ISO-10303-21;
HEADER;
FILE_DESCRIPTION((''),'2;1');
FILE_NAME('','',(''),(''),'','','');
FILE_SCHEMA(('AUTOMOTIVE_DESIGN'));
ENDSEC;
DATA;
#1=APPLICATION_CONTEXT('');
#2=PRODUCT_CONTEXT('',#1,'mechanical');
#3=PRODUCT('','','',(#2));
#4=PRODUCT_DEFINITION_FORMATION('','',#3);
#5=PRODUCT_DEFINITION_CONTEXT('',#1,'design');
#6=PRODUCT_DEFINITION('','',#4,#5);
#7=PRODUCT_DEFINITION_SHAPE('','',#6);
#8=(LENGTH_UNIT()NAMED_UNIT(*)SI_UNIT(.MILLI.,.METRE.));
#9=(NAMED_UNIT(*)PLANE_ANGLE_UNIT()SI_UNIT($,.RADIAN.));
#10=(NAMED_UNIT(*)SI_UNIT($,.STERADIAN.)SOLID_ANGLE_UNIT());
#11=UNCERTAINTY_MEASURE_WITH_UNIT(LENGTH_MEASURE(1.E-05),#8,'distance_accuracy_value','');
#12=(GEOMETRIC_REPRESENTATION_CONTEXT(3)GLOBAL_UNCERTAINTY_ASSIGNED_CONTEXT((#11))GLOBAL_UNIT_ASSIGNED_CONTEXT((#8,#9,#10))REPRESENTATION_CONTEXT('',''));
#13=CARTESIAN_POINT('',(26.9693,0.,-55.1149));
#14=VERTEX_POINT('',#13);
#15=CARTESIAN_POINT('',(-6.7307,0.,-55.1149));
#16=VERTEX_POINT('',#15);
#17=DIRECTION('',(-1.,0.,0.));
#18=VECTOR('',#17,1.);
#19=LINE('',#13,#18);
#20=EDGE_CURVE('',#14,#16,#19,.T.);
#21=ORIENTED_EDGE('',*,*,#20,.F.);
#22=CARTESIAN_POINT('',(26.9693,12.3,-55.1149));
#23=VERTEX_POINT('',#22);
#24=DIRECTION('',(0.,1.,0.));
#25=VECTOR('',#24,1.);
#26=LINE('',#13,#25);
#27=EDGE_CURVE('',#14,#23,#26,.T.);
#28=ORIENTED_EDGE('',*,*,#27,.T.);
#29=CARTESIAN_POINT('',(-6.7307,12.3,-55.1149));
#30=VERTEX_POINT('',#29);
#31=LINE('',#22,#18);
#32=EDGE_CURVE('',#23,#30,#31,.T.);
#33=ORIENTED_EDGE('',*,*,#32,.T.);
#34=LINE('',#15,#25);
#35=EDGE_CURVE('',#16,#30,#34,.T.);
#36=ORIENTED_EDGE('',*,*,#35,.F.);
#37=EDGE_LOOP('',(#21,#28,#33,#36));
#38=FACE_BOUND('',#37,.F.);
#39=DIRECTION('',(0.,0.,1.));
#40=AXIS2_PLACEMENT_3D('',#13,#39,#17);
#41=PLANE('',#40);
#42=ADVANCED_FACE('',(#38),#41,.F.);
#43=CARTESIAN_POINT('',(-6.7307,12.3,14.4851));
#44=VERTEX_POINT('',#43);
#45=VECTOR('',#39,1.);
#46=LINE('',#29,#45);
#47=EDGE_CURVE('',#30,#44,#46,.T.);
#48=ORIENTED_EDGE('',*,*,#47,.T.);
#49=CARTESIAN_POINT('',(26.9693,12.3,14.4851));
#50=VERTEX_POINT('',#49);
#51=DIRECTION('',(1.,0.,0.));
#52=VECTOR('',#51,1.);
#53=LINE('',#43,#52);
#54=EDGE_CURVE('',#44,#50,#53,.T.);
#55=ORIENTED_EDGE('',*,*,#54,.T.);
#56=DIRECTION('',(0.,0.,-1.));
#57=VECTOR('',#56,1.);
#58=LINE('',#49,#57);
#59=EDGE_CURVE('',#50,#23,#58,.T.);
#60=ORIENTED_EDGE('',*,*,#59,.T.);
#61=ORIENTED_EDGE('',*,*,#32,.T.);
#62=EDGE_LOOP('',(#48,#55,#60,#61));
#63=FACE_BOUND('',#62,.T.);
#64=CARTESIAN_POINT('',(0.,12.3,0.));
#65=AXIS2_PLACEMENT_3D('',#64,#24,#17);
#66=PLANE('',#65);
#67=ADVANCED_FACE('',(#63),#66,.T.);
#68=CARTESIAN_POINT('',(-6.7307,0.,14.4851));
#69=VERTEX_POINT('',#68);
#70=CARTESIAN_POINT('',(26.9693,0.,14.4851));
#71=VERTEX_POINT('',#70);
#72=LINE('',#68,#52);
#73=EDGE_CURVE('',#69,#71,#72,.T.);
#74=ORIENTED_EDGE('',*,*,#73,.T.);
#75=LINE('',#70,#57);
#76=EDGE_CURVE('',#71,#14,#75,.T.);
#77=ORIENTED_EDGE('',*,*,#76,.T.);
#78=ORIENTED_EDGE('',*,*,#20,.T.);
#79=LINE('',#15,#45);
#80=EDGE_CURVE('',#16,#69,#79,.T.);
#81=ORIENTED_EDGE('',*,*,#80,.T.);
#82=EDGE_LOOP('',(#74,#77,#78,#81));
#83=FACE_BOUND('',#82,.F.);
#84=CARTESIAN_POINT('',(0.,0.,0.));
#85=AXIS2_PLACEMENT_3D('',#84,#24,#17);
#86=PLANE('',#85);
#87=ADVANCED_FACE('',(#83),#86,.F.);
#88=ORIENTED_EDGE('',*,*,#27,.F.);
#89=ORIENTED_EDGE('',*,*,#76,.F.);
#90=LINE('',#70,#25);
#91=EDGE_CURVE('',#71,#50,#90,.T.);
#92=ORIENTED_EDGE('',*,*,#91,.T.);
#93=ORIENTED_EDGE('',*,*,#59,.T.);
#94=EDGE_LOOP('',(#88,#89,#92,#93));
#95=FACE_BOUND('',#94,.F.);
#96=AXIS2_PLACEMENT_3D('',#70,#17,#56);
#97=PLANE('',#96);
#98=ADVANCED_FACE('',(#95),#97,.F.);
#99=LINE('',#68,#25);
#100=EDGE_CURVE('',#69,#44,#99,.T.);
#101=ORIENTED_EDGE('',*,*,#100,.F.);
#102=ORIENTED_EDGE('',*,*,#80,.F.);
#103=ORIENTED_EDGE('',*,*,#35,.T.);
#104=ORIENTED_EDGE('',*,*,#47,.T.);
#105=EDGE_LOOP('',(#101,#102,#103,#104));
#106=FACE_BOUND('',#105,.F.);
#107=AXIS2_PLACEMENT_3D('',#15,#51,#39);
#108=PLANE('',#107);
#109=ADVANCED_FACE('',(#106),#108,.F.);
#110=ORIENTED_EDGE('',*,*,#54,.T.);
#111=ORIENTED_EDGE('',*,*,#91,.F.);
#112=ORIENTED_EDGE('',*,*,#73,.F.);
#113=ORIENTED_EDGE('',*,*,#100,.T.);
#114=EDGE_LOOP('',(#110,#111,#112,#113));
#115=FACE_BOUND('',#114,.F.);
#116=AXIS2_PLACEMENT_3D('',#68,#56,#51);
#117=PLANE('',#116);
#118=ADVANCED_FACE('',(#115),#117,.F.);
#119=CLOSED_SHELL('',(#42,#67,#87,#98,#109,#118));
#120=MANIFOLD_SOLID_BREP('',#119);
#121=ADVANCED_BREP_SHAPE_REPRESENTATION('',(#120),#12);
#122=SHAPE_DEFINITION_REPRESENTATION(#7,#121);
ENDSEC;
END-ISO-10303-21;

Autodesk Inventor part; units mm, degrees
ref_plane "YZ Plane" through (0, 0, 0) normal (1, 0, 0) x (0, 1, 0)
ref_plane "XZ Plane" through (0, 0, 0) normal (0, 1, 0) x (-1, 0, 0)
ref_plane "XY Plane" through (0, 0, 0) normal (0, 0, 1) x (1, 0, 0)
sketch "Sketch1" plane through (0, 0, 0) normal (0, 1, 0) x (-1, 0, 0)
  line L0 (6.7307, 14.4851) -> (-26.9693, 14.4851)
  line L1 (-26.9693, 14.4851) -> (-26.9693, -55.1149)
  line L2 (-26.9693, -55.1149) -> (6.7307, -55.1149)
  line L3 (6.7307, -55.1149) -> (6.7307, 14.4851)
  point P0 (0, 0)
  dimension "d0" = 33.7
  dimension "d1" = 69.6
extrude "Extrusion1" add sketch "Sketch1" along normal blind 12.3
properties part number "Battery Pack"
